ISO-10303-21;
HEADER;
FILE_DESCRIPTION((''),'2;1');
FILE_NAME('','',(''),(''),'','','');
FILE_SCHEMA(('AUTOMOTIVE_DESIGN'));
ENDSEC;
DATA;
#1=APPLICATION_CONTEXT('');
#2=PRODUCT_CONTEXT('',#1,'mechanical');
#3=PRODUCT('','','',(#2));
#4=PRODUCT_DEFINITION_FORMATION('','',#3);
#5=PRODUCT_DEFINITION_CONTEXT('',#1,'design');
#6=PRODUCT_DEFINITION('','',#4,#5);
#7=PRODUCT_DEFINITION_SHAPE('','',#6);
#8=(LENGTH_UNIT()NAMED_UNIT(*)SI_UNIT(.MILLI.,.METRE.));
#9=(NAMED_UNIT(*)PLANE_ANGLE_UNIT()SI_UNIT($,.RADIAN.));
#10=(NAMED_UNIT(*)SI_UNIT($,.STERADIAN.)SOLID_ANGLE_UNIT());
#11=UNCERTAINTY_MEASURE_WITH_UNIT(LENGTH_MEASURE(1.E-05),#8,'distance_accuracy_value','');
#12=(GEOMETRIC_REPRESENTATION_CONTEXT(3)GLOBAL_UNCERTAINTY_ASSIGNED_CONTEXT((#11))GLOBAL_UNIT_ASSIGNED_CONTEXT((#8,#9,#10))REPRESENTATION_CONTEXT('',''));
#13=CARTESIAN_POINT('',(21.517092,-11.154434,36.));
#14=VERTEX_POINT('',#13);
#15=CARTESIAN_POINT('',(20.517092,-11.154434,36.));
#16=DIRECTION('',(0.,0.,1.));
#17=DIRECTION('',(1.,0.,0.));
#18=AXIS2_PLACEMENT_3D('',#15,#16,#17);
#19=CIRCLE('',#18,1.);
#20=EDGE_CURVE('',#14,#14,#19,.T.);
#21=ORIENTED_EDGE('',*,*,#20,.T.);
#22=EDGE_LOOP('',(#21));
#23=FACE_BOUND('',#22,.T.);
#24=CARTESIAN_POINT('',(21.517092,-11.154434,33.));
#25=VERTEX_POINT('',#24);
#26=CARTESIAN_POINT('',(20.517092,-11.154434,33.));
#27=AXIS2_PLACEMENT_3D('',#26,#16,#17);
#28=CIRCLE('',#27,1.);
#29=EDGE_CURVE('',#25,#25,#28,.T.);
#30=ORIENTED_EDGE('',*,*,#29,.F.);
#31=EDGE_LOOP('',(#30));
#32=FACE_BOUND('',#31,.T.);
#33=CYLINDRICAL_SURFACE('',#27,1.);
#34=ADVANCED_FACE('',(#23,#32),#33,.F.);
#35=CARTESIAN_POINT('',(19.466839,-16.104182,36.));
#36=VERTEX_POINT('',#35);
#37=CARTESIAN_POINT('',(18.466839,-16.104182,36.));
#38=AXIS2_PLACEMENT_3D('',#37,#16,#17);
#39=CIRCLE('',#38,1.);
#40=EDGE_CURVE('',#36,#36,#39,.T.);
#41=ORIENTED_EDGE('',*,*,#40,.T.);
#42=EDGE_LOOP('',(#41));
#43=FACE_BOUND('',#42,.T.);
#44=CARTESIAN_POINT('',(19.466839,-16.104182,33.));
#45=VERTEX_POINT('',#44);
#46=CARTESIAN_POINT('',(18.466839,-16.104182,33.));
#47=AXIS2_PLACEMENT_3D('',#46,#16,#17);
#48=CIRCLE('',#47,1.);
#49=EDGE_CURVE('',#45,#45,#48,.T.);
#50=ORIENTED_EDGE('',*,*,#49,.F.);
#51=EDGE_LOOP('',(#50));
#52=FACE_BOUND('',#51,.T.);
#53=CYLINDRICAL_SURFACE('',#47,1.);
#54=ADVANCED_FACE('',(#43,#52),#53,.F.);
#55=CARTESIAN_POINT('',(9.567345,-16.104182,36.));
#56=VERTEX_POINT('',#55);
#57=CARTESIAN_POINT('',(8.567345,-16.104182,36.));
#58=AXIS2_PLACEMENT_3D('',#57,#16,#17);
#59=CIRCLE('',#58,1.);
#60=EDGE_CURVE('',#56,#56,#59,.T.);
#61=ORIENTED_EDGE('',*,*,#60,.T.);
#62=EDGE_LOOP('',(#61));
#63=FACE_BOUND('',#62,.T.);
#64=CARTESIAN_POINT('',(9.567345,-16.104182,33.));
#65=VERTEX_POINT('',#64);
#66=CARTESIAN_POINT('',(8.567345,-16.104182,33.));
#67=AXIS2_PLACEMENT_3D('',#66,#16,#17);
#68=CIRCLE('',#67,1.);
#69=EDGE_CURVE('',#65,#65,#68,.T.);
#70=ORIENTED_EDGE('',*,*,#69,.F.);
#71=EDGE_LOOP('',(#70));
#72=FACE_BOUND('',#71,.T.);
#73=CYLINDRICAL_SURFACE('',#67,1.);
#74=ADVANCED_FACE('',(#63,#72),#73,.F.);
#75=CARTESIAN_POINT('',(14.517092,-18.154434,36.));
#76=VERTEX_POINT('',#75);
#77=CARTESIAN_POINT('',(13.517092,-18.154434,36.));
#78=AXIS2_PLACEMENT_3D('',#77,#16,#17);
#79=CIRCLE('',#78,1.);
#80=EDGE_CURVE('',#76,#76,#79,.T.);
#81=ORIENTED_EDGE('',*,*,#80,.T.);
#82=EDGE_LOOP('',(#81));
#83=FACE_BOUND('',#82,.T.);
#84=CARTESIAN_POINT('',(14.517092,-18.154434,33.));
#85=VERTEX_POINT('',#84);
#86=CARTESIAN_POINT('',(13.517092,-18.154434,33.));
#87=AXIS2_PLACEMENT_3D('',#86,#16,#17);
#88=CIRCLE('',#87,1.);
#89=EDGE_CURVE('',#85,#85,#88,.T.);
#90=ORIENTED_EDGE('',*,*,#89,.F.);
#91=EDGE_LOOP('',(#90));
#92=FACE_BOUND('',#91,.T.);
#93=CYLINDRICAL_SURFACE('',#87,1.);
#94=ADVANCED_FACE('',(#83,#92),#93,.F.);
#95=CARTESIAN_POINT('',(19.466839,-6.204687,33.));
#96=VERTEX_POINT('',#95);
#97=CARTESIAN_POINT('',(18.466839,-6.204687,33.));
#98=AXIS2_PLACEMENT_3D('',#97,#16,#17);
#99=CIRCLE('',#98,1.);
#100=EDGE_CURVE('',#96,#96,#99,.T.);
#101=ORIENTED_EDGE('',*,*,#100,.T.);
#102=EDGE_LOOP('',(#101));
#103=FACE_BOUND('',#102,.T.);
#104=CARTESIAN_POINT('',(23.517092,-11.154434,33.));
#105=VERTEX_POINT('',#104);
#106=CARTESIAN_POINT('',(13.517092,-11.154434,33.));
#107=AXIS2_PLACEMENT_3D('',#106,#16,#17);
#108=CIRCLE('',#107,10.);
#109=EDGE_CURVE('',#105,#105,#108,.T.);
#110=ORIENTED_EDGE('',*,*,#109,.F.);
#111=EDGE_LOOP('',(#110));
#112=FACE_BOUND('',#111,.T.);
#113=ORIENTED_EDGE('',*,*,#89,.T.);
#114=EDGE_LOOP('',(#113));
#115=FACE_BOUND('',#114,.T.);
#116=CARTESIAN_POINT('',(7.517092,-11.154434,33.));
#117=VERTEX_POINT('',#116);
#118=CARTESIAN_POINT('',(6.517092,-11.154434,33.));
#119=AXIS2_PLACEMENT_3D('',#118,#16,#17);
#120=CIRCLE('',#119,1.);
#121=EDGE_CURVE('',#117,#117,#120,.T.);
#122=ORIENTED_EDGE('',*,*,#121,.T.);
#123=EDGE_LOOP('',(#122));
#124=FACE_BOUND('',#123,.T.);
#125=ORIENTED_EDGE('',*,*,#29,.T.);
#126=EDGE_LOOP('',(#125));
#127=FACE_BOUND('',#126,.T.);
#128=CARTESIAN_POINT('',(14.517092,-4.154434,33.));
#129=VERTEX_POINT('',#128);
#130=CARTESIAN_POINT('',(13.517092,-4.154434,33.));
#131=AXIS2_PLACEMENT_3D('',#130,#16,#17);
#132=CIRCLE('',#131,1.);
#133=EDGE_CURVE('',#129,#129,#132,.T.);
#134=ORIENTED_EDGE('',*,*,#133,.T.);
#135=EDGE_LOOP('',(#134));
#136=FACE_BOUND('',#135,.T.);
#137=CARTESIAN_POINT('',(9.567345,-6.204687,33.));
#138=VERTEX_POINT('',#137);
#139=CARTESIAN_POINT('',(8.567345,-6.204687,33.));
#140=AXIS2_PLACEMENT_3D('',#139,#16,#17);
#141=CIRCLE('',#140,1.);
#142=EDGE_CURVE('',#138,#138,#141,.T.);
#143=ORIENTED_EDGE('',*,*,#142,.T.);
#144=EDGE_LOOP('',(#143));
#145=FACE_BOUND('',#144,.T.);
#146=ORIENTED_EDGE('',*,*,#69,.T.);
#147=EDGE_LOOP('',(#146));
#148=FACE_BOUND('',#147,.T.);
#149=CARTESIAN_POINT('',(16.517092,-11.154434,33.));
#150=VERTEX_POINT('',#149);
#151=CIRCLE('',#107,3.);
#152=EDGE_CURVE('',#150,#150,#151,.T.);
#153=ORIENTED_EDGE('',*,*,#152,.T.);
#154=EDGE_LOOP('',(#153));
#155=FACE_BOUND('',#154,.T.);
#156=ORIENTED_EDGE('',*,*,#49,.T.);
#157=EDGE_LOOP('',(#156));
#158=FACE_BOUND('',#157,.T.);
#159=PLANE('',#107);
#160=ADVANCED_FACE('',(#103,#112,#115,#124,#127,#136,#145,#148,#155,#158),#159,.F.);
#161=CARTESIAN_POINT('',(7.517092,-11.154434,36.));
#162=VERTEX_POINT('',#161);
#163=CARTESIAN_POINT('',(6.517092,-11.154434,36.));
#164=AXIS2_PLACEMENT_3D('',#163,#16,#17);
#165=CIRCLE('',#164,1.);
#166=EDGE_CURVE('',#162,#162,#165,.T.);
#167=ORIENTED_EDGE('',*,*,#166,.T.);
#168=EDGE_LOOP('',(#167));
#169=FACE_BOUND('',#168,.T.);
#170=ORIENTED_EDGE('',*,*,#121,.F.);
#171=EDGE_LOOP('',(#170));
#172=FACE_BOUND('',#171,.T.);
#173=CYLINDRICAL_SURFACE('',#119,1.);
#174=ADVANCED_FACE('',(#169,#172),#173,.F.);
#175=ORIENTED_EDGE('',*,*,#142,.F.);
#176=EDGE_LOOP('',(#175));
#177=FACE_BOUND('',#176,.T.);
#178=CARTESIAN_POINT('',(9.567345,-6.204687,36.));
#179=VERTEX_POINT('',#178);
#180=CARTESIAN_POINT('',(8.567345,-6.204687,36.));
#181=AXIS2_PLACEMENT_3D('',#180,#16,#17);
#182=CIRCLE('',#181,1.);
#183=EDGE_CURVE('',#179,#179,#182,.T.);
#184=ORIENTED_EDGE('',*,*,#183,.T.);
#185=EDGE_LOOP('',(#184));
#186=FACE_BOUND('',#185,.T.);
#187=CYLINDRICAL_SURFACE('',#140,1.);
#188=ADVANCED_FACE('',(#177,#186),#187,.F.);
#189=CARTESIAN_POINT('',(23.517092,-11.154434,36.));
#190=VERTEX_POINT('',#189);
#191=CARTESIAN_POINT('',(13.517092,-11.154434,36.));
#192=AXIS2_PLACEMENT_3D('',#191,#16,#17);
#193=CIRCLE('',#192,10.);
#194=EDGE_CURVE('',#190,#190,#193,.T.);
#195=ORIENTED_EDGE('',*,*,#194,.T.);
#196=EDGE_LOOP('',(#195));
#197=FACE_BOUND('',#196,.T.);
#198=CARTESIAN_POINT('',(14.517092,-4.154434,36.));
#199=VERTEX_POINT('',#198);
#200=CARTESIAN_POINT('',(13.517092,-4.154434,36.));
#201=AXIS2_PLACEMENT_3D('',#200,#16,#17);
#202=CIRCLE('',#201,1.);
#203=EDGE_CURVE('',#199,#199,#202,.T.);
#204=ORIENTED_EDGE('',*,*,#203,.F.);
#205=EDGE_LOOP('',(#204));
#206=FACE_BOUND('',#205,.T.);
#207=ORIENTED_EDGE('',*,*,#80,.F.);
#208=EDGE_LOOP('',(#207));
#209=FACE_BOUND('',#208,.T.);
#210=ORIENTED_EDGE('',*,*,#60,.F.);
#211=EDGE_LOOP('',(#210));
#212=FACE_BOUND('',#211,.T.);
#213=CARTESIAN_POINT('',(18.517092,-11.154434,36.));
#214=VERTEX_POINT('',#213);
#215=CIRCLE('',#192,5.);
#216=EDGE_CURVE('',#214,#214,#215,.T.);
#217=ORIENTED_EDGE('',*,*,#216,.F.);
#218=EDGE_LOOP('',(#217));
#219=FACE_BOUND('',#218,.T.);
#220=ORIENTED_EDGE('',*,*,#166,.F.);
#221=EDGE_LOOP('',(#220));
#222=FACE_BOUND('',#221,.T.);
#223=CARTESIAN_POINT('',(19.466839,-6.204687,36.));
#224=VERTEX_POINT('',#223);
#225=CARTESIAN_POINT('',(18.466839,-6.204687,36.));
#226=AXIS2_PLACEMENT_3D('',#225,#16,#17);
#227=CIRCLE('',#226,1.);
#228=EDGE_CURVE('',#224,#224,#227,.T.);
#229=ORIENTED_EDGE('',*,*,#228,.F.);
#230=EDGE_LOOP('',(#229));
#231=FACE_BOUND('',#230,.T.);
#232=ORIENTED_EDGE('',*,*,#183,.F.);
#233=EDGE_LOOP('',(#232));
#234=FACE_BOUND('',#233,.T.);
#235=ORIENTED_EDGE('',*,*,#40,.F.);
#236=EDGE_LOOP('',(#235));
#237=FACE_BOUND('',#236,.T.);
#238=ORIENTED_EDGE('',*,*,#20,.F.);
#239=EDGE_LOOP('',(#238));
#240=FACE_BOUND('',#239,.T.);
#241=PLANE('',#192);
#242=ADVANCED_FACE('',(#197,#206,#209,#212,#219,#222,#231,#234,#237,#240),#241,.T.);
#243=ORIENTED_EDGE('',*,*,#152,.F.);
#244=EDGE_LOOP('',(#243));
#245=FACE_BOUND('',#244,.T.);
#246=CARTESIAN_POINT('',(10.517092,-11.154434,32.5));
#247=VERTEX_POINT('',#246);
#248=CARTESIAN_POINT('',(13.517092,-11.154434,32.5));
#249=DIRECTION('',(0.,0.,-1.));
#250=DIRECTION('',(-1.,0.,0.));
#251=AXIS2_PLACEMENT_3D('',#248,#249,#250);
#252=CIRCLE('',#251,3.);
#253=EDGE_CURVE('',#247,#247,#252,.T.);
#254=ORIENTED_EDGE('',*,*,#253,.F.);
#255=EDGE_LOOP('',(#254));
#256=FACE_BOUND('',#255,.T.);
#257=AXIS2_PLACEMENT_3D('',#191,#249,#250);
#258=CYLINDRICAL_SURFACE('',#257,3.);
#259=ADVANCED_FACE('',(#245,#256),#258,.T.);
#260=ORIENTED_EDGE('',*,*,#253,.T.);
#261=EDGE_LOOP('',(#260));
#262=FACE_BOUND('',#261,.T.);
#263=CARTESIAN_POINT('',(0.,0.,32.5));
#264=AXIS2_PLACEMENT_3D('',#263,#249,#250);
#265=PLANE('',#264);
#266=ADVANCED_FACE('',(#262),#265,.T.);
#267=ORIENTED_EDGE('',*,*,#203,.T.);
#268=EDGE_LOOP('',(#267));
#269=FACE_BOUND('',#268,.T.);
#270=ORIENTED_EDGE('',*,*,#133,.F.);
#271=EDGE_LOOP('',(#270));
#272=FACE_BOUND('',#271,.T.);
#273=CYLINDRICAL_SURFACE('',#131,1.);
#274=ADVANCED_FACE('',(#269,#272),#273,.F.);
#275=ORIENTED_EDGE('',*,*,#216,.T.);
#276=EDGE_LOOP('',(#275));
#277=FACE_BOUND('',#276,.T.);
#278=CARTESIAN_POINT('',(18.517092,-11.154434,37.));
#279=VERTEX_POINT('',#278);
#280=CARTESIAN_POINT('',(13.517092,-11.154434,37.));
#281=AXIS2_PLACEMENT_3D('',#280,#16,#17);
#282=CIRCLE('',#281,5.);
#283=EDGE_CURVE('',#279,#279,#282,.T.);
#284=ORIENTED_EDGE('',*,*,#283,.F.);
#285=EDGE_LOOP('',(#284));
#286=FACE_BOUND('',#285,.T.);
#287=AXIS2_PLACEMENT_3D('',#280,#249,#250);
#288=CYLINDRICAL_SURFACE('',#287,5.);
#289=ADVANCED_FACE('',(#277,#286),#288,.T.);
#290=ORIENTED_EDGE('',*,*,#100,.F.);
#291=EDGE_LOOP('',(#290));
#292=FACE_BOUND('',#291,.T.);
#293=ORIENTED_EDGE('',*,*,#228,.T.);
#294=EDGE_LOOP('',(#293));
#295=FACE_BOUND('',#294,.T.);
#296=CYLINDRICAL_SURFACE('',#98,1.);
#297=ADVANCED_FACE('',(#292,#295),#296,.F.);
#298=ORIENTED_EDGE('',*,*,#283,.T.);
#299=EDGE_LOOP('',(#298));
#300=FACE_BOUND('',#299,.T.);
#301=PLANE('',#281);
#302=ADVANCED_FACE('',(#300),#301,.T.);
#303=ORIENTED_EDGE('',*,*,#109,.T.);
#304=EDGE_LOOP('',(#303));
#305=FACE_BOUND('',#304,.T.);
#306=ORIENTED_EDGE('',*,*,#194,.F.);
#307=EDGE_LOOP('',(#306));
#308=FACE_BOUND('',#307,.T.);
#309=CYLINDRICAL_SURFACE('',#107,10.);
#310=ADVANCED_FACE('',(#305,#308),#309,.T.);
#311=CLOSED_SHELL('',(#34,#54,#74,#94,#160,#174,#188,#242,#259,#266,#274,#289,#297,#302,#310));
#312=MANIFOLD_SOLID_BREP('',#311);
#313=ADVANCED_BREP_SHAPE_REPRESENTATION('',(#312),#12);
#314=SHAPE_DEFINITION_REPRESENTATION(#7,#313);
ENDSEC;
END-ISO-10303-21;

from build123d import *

# Parameters (mm, degrees)
SKETCH_1_R          = 1
EXTRUDE_1_DEPTH     = 32.5
SKETCH_2_R          = 3
EXTRUDE_2_DEPTH     = 3.5
SKETCH_3_R          = 10
EXTRUDE_3_DEPTH     = 3
SKETCH_4_R          = 5
EXTRUDE_4_DEPTH     = 1
SKETCH_5_R          = 1
CUT_EXTRUDE_1_DEPTH = 3
SKETCH_6_W          = 52.078633919
SKETCH_6_H          = 39.097037898
CUT_EXTRUDE_2_DEPTH = 32.5


with BuildPart() as part:
    # ｽｹｯﾁ1 → ﾎﾞｽ - 押し出し1 (new body)
    with BuildSketch(Plane.XY):
        with BuildLine():
            Line((-17.482907979, 4.845565749), (13.517092021, 4.845565749))
            ThreePointArc((13.517092021, 4.845565749), (20.100097265, 3.428570993), (25.517092021, -0.571429007))
            Line((25.517092021, -0.571429007), (25.517092021, -21.737439495))
            ThreePointArc((25.517092021, -21.737439495), (20.100097265, -25.737439495), (13.517092021, -27.154434251))
            Line((13.517092021, -27.154434251), (-17.482907979, -27.154434251))
            Line((-17.482907979, -27.154434251), (-17.482907979, 4.845565749))
        make_face()
        with Locations((-14.482907979, -24.654434251)):
            Circle(SKETCH_1_R, mode=Mode.SUBTRACT)
        with Locations((12.517092021, -24.654434251)):
            Circle(SKETCH_1_R, mode=Mode.SUBTRACT)
        with Locations((12.517092021, 2.345565749)):
            Circle(SKETCH_1_R, mode=Mode.SUBTRACT)
        with Locations((-14.482907979, 2.345565749)):
            Circle(SKETCH_1_R, mode=Mode.SUBTRACT)
    extrude(amount=EXTRUDE_1_DEPTH)

    # ｽｹｯﾁ2 → ﾎﾞｽ - 押し出し2 (add)
    with BuildSketch(Plane.XY.offset(32.5)):
        with Locations((13.517092021, -11.154434251)):
            Circle(SKETCH_2_R)
    extrude(amount=EXTRUDE_2_DEPTH)

    # ｽｹｯﾁ3 → ﾎﾞｽ - 押し出し3 (add)
    with BuildSketch(Plane.XY.offset(36)):
        with Locations((13.517092021, -11.154434251)):
            Circle(SKETCH_3_R)
    extrude(amount=-EXTRUDE_3_DEPTH)

    # ｽｹｯﾁ4 → ﾎﾞｽ - 押し出し4 (add)
    with BuildSketch(Plane.XY.offset(36)):
        with Locations((13.517092021, -11.154434251)):
            Circle(SKETCH_4_R)
    extrude(amount=EXTRUDE_4_DEPTH)

    # ｽｹｯﾁ5 → ｶｯﾄ - 押し出し1 (cut)
    with BuildSketch(Plane.XY.offset(36)):
        with Locations((20.517092021, -11.154434251)):
            Circle(SKETCH_5_R)
        with Locations((18.466839489, -16.104181719)):
            Circle(SKETCH_5_R)
        with Locations((13.517092021, -18.154434251)):
            Circle(SKETCH_5_R)
        with Locations((8.567344553, -16.104181719)):
            Circle(SKETCH_5_R)
        with Locations((6.517092021, -11.154434251)):
            Circle(SKETCH_5_R)
        with Locations((8.567344553, -6.204686782)):
            Circle(SKETCH_5_R)
        with Locations((13.517092021, -4.154434251)):
            Circle(SKETCH_5_R)
        with Locations((18.466839489, -6.204686782)):
            Circle(SKETCH_5_R)
    extrude(amount=-CUT_EXTRUDE_1_DEPTH, mode=Mode.SUBTRACT)

    # ｽｹｯﾁ6 → ｶｯﾄ - 押し出し2 (cut)
    with BuildSketch(Plane(origin=(0, 0, 0), x_dir=(-1, 0, 0), z_dir=(0, 0, -1))):
        with Locations((-8.556408981, -7.605915302)):
            Rectangle(SKETCH_6_W, SKETCH_6_H)
    extrude(amount=-CUT_EXTRUDE_2_DEPTH, mode=Mode.SUBTRACT)


solid = part.part
